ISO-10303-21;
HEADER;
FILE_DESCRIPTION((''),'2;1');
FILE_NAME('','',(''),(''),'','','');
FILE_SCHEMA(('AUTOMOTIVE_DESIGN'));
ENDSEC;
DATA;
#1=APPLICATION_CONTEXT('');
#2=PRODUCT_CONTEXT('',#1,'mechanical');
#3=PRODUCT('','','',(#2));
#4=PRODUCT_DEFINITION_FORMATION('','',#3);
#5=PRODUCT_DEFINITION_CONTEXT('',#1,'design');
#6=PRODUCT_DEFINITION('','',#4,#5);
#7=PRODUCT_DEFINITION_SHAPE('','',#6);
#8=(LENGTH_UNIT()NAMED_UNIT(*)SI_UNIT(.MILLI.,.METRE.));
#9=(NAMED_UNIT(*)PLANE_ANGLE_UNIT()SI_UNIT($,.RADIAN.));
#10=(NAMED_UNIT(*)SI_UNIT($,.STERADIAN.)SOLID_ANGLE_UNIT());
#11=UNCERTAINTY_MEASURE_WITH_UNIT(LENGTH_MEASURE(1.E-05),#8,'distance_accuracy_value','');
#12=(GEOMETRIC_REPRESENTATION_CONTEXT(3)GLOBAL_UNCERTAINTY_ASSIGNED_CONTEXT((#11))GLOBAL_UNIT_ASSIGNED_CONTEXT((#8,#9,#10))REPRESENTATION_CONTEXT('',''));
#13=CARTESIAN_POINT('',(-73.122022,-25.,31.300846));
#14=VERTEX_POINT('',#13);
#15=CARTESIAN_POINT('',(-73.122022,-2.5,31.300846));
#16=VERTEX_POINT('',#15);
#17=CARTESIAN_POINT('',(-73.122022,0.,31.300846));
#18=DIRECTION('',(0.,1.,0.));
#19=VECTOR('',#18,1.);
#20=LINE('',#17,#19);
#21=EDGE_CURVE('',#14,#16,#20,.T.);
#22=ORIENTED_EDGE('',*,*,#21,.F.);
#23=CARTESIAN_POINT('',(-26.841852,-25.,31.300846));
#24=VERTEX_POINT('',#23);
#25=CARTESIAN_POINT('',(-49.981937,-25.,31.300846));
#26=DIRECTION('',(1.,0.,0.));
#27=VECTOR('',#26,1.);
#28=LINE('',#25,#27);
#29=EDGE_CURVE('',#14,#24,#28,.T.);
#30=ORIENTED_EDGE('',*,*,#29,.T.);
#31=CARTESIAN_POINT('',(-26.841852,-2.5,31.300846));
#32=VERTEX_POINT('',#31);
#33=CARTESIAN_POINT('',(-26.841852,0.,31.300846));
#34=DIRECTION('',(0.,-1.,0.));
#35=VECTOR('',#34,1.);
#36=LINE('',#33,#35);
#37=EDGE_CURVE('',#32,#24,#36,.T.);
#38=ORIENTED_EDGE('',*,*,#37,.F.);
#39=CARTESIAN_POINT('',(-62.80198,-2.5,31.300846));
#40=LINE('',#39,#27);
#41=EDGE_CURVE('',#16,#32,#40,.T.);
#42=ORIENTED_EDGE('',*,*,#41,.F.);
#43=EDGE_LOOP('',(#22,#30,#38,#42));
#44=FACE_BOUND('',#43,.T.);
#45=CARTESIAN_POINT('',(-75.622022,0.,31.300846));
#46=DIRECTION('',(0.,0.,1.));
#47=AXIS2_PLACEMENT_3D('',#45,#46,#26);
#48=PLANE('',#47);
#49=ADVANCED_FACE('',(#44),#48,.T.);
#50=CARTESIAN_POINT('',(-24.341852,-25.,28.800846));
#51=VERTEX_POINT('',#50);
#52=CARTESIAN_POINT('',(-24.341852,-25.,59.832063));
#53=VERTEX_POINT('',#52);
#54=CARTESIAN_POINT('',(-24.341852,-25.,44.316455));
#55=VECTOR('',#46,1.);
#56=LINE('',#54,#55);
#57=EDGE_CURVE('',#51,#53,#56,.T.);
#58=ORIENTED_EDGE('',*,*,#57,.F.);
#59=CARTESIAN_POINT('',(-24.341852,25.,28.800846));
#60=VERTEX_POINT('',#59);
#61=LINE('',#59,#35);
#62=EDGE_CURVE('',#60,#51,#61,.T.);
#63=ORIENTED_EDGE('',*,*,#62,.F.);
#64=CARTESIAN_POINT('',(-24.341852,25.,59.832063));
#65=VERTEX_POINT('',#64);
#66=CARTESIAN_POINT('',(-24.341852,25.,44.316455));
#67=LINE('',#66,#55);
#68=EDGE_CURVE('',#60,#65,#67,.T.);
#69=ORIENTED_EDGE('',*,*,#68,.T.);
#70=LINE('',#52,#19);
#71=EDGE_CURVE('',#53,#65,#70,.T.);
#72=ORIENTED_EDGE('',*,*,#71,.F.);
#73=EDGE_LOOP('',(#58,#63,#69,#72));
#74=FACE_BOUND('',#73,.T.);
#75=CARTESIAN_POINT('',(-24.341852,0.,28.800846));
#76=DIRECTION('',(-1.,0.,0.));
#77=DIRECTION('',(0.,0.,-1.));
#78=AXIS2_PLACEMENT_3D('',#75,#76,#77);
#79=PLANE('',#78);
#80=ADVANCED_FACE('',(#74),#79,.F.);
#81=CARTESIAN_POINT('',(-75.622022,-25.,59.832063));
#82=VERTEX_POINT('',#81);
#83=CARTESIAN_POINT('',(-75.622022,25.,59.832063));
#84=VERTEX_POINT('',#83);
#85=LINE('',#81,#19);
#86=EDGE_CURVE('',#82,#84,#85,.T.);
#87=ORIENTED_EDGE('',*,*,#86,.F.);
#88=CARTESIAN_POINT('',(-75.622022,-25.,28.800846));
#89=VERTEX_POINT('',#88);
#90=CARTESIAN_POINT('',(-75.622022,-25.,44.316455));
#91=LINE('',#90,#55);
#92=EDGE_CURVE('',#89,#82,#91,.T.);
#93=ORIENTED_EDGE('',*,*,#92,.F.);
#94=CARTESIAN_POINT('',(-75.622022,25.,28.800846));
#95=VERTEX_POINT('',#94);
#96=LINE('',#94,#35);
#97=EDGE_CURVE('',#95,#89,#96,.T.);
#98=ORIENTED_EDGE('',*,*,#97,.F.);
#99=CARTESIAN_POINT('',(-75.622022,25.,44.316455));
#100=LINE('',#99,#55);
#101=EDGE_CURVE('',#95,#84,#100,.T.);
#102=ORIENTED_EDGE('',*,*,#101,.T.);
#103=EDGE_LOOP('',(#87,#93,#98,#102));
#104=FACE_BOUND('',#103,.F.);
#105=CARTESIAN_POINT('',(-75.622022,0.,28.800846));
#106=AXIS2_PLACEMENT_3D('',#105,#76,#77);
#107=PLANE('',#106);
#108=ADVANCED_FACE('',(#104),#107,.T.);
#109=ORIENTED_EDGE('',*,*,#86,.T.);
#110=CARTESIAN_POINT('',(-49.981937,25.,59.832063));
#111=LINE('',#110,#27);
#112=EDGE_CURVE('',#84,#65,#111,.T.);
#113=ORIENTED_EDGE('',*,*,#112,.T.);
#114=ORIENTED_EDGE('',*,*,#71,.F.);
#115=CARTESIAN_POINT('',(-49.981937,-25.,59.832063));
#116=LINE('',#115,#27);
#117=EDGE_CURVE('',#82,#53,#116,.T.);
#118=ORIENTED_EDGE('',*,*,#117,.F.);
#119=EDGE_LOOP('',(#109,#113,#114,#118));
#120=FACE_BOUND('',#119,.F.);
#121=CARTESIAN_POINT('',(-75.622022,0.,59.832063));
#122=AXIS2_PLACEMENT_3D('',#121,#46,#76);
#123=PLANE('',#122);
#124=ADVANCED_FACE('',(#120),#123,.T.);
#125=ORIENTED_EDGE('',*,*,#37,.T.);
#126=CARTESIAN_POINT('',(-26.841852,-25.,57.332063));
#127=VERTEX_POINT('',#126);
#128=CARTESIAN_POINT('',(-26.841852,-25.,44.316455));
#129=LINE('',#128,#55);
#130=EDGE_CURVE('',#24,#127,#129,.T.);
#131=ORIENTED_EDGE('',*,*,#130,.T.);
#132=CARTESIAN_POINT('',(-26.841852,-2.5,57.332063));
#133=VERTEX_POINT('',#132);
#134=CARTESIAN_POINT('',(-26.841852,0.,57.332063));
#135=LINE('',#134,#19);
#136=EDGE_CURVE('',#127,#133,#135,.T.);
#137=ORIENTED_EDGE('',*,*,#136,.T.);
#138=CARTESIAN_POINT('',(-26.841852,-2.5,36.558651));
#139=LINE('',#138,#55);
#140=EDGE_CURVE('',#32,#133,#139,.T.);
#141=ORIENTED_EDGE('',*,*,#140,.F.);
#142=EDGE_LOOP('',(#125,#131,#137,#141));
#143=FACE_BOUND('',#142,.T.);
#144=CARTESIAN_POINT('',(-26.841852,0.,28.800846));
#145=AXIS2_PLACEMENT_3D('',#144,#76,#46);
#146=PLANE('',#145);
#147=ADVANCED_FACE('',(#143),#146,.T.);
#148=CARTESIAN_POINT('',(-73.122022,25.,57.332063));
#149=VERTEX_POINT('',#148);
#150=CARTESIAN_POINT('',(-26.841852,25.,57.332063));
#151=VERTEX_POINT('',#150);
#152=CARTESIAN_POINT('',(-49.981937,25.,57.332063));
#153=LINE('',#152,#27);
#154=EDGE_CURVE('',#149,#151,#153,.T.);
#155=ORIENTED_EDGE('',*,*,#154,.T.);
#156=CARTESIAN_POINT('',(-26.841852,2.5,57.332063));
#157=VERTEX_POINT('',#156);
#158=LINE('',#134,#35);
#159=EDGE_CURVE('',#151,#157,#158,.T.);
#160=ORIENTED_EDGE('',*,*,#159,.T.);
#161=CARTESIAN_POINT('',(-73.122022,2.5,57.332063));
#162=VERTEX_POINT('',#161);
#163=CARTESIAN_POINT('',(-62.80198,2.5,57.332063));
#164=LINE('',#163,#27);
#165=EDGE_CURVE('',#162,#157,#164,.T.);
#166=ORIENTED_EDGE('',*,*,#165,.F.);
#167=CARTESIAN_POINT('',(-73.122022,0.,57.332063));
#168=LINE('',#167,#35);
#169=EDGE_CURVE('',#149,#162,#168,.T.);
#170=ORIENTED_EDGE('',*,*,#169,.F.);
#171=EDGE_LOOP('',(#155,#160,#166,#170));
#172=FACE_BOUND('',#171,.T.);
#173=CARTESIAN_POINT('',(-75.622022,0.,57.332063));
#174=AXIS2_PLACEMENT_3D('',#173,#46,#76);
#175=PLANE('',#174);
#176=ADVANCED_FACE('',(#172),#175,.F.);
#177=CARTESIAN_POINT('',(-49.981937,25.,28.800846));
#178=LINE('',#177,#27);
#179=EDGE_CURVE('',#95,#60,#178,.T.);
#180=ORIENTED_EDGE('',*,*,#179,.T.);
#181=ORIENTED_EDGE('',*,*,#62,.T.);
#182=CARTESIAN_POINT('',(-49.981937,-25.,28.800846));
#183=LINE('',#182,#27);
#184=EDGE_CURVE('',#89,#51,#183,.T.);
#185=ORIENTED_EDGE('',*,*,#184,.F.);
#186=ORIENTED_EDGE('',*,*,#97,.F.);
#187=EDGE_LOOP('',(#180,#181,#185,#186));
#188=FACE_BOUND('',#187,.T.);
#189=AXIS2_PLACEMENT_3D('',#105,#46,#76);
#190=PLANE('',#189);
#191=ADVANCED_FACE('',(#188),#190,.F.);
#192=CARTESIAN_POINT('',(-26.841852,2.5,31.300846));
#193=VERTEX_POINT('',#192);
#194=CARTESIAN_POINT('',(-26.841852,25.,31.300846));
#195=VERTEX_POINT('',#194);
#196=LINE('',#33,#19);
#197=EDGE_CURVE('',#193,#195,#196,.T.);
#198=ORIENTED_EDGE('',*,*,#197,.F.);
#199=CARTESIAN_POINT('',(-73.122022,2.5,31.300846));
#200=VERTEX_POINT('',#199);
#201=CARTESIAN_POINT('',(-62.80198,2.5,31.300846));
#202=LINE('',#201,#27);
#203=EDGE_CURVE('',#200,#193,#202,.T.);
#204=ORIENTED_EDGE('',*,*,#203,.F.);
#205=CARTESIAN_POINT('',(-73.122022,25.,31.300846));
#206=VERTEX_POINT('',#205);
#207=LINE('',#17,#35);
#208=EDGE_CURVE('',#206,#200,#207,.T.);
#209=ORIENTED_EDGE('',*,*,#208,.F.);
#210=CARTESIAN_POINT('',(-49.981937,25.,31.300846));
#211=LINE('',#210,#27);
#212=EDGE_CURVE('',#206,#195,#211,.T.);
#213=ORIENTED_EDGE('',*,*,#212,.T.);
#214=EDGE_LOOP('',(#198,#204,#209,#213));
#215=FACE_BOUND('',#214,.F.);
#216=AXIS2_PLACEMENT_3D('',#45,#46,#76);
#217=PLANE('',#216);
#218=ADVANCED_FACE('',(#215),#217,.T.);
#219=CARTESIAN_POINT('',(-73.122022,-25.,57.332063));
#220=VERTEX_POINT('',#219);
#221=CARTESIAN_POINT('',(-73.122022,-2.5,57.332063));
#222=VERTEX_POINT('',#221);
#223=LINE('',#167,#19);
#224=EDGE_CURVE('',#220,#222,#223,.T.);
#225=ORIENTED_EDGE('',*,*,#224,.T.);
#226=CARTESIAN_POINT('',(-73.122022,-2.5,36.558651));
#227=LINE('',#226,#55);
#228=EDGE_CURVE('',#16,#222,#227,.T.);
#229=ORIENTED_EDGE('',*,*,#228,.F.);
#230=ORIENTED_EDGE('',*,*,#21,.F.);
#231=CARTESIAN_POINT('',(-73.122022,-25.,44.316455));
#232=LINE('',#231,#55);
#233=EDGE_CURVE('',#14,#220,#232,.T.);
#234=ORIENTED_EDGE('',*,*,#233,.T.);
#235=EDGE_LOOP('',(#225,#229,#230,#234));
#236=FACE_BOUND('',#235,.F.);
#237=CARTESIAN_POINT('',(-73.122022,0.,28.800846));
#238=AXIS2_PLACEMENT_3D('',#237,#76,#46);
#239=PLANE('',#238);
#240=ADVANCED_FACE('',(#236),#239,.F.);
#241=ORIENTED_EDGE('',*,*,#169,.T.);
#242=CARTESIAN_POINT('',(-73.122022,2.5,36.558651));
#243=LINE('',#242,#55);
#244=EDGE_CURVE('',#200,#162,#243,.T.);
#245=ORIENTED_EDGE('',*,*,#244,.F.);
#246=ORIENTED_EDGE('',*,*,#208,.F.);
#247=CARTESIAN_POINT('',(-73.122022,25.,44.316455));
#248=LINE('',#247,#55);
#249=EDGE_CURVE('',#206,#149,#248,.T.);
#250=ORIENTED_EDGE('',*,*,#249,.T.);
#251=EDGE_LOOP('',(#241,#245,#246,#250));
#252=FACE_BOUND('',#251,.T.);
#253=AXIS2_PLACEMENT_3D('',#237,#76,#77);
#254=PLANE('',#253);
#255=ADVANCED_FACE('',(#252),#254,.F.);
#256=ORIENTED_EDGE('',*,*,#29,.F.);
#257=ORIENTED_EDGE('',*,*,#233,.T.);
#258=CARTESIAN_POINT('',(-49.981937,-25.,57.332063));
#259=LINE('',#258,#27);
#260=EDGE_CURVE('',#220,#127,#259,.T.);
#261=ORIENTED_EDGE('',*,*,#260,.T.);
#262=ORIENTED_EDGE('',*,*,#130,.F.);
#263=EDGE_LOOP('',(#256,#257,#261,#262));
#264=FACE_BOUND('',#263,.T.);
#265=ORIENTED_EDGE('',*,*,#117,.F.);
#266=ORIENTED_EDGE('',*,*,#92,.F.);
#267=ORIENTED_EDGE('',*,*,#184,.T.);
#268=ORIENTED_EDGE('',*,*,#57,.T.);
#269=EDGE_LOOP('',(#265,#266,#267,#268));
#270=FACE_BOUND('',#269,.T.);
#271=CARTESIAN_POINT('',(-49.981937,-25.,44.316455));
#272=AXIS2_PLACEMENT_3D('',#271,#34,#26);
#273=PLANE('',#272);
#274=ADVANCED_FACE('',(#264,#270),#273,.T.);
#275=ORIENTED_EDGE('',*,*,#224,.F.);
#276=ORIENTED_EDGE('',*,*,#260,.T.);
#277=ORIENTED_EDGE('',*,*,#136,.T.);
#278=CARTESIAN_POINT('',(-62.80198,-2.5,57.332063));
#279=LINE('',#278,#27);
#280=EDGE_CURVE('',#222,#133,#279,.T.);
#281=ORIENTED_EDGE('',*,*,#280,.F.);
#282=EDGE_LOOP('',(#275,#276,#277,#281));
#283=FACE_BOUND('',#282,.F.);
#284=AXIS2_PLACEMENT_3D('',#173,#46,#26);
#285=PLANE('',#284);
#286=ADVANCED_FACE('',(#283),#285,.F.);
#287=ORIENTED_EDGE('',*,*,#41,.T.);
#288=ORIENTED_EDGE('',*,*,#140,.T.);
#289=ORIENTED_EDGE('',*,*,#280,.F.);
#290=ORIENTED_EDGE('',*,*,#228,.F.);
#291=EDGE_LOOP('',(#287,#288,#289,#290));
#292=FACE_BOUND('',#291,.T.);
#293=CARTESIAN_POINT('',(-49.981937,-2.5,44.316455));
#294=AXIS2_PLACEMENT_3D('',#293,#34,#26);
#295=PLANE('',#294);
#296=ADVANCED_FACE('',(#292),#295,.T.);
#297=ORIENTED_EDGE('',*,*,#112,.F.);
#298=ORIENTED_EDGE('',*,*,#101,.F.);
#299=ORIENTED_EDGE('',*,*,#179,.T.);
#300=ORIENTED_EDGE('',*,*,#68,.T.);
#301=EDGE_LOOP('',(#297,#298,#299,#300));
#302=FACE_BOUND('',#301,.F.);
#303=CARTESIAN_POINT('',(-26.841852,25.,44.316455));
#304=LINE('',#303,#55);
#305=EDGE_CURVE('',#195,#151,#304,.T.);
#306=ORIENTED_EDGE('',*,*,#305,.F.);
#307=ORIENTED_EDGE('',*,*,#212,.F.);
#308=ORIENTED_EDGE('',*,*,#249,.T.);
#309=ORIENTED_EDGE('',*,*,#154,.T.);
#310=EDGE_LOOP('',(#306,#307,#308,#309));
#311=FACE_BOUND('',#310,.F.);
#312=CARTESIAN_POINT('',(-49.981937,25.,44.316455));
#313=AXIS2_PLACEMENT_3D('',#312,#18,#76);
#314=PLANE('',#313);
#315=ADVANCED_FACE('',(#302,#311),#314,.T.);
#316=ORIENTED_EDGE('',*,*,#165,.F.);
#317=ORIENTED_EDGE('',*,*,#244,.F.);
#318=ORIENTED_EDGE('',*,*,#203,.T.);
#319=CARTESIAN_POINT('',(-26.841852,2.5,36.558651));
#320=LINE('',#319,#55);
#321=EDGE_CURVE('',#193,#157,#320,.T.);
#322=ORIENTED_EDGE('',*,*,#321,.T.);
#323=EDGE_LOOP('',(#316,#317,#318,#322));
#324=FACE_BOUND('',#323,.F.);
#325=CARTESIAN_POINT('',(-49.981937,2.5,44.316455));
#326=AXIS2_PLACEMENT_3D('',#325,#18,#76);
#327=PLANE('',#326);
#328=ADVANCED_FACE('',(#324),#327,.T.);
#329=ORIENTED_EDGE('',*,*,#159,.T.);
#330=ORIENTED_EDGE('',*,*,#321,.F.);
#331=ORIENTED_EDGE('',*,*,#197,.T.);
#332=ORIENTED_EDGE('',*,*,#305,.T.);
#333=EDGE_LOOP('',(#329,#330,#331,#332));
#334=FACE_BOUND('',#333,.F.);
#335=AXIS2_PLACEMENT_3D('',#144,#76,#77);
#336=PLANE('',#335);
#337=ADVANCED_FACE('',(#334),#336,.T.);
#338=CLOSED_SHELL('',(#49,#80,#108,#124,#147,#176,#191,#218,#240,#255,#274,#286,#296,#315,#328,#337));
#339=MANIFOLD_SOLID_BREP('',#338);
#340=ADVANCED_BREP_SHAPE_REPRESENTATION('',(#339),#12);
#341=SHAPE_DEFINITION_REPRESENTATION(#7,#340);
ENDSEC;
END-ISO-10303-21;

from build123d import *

# Parameters (mm, degrees)
F0_W     = 51.280171
F0_H     = 31.031217
F1_DEPTH = 25
F2_T     = -2.5


with BuildPart() as f1:
    # F0 (on Front) → F1 (new body)
    with BuildSketch(Plane.XZ):
        with Locations((-49.981937, 44.316455)):
            Rectangle(F0_W, F0_H)
    extrude(amount=F1_DEPTH)

    # F2
    f2_openings = [f1.faces().sort_by_distance(p)[0] for p in [
        (-49.981937, -25, 44.316456),
    ]]
    offset(amount=F2_T, openings=f2_openings)

    # F3: F1 across face


with BuildPart() as f1_1:
    add(f1.part)
    add(f1.part.mirror(Plane(origin=(-49.981937, 0, 44.316456), x_dir=(1, 0, 0), z_dir=(0, 1, 0))))


solid = f1_1.part
